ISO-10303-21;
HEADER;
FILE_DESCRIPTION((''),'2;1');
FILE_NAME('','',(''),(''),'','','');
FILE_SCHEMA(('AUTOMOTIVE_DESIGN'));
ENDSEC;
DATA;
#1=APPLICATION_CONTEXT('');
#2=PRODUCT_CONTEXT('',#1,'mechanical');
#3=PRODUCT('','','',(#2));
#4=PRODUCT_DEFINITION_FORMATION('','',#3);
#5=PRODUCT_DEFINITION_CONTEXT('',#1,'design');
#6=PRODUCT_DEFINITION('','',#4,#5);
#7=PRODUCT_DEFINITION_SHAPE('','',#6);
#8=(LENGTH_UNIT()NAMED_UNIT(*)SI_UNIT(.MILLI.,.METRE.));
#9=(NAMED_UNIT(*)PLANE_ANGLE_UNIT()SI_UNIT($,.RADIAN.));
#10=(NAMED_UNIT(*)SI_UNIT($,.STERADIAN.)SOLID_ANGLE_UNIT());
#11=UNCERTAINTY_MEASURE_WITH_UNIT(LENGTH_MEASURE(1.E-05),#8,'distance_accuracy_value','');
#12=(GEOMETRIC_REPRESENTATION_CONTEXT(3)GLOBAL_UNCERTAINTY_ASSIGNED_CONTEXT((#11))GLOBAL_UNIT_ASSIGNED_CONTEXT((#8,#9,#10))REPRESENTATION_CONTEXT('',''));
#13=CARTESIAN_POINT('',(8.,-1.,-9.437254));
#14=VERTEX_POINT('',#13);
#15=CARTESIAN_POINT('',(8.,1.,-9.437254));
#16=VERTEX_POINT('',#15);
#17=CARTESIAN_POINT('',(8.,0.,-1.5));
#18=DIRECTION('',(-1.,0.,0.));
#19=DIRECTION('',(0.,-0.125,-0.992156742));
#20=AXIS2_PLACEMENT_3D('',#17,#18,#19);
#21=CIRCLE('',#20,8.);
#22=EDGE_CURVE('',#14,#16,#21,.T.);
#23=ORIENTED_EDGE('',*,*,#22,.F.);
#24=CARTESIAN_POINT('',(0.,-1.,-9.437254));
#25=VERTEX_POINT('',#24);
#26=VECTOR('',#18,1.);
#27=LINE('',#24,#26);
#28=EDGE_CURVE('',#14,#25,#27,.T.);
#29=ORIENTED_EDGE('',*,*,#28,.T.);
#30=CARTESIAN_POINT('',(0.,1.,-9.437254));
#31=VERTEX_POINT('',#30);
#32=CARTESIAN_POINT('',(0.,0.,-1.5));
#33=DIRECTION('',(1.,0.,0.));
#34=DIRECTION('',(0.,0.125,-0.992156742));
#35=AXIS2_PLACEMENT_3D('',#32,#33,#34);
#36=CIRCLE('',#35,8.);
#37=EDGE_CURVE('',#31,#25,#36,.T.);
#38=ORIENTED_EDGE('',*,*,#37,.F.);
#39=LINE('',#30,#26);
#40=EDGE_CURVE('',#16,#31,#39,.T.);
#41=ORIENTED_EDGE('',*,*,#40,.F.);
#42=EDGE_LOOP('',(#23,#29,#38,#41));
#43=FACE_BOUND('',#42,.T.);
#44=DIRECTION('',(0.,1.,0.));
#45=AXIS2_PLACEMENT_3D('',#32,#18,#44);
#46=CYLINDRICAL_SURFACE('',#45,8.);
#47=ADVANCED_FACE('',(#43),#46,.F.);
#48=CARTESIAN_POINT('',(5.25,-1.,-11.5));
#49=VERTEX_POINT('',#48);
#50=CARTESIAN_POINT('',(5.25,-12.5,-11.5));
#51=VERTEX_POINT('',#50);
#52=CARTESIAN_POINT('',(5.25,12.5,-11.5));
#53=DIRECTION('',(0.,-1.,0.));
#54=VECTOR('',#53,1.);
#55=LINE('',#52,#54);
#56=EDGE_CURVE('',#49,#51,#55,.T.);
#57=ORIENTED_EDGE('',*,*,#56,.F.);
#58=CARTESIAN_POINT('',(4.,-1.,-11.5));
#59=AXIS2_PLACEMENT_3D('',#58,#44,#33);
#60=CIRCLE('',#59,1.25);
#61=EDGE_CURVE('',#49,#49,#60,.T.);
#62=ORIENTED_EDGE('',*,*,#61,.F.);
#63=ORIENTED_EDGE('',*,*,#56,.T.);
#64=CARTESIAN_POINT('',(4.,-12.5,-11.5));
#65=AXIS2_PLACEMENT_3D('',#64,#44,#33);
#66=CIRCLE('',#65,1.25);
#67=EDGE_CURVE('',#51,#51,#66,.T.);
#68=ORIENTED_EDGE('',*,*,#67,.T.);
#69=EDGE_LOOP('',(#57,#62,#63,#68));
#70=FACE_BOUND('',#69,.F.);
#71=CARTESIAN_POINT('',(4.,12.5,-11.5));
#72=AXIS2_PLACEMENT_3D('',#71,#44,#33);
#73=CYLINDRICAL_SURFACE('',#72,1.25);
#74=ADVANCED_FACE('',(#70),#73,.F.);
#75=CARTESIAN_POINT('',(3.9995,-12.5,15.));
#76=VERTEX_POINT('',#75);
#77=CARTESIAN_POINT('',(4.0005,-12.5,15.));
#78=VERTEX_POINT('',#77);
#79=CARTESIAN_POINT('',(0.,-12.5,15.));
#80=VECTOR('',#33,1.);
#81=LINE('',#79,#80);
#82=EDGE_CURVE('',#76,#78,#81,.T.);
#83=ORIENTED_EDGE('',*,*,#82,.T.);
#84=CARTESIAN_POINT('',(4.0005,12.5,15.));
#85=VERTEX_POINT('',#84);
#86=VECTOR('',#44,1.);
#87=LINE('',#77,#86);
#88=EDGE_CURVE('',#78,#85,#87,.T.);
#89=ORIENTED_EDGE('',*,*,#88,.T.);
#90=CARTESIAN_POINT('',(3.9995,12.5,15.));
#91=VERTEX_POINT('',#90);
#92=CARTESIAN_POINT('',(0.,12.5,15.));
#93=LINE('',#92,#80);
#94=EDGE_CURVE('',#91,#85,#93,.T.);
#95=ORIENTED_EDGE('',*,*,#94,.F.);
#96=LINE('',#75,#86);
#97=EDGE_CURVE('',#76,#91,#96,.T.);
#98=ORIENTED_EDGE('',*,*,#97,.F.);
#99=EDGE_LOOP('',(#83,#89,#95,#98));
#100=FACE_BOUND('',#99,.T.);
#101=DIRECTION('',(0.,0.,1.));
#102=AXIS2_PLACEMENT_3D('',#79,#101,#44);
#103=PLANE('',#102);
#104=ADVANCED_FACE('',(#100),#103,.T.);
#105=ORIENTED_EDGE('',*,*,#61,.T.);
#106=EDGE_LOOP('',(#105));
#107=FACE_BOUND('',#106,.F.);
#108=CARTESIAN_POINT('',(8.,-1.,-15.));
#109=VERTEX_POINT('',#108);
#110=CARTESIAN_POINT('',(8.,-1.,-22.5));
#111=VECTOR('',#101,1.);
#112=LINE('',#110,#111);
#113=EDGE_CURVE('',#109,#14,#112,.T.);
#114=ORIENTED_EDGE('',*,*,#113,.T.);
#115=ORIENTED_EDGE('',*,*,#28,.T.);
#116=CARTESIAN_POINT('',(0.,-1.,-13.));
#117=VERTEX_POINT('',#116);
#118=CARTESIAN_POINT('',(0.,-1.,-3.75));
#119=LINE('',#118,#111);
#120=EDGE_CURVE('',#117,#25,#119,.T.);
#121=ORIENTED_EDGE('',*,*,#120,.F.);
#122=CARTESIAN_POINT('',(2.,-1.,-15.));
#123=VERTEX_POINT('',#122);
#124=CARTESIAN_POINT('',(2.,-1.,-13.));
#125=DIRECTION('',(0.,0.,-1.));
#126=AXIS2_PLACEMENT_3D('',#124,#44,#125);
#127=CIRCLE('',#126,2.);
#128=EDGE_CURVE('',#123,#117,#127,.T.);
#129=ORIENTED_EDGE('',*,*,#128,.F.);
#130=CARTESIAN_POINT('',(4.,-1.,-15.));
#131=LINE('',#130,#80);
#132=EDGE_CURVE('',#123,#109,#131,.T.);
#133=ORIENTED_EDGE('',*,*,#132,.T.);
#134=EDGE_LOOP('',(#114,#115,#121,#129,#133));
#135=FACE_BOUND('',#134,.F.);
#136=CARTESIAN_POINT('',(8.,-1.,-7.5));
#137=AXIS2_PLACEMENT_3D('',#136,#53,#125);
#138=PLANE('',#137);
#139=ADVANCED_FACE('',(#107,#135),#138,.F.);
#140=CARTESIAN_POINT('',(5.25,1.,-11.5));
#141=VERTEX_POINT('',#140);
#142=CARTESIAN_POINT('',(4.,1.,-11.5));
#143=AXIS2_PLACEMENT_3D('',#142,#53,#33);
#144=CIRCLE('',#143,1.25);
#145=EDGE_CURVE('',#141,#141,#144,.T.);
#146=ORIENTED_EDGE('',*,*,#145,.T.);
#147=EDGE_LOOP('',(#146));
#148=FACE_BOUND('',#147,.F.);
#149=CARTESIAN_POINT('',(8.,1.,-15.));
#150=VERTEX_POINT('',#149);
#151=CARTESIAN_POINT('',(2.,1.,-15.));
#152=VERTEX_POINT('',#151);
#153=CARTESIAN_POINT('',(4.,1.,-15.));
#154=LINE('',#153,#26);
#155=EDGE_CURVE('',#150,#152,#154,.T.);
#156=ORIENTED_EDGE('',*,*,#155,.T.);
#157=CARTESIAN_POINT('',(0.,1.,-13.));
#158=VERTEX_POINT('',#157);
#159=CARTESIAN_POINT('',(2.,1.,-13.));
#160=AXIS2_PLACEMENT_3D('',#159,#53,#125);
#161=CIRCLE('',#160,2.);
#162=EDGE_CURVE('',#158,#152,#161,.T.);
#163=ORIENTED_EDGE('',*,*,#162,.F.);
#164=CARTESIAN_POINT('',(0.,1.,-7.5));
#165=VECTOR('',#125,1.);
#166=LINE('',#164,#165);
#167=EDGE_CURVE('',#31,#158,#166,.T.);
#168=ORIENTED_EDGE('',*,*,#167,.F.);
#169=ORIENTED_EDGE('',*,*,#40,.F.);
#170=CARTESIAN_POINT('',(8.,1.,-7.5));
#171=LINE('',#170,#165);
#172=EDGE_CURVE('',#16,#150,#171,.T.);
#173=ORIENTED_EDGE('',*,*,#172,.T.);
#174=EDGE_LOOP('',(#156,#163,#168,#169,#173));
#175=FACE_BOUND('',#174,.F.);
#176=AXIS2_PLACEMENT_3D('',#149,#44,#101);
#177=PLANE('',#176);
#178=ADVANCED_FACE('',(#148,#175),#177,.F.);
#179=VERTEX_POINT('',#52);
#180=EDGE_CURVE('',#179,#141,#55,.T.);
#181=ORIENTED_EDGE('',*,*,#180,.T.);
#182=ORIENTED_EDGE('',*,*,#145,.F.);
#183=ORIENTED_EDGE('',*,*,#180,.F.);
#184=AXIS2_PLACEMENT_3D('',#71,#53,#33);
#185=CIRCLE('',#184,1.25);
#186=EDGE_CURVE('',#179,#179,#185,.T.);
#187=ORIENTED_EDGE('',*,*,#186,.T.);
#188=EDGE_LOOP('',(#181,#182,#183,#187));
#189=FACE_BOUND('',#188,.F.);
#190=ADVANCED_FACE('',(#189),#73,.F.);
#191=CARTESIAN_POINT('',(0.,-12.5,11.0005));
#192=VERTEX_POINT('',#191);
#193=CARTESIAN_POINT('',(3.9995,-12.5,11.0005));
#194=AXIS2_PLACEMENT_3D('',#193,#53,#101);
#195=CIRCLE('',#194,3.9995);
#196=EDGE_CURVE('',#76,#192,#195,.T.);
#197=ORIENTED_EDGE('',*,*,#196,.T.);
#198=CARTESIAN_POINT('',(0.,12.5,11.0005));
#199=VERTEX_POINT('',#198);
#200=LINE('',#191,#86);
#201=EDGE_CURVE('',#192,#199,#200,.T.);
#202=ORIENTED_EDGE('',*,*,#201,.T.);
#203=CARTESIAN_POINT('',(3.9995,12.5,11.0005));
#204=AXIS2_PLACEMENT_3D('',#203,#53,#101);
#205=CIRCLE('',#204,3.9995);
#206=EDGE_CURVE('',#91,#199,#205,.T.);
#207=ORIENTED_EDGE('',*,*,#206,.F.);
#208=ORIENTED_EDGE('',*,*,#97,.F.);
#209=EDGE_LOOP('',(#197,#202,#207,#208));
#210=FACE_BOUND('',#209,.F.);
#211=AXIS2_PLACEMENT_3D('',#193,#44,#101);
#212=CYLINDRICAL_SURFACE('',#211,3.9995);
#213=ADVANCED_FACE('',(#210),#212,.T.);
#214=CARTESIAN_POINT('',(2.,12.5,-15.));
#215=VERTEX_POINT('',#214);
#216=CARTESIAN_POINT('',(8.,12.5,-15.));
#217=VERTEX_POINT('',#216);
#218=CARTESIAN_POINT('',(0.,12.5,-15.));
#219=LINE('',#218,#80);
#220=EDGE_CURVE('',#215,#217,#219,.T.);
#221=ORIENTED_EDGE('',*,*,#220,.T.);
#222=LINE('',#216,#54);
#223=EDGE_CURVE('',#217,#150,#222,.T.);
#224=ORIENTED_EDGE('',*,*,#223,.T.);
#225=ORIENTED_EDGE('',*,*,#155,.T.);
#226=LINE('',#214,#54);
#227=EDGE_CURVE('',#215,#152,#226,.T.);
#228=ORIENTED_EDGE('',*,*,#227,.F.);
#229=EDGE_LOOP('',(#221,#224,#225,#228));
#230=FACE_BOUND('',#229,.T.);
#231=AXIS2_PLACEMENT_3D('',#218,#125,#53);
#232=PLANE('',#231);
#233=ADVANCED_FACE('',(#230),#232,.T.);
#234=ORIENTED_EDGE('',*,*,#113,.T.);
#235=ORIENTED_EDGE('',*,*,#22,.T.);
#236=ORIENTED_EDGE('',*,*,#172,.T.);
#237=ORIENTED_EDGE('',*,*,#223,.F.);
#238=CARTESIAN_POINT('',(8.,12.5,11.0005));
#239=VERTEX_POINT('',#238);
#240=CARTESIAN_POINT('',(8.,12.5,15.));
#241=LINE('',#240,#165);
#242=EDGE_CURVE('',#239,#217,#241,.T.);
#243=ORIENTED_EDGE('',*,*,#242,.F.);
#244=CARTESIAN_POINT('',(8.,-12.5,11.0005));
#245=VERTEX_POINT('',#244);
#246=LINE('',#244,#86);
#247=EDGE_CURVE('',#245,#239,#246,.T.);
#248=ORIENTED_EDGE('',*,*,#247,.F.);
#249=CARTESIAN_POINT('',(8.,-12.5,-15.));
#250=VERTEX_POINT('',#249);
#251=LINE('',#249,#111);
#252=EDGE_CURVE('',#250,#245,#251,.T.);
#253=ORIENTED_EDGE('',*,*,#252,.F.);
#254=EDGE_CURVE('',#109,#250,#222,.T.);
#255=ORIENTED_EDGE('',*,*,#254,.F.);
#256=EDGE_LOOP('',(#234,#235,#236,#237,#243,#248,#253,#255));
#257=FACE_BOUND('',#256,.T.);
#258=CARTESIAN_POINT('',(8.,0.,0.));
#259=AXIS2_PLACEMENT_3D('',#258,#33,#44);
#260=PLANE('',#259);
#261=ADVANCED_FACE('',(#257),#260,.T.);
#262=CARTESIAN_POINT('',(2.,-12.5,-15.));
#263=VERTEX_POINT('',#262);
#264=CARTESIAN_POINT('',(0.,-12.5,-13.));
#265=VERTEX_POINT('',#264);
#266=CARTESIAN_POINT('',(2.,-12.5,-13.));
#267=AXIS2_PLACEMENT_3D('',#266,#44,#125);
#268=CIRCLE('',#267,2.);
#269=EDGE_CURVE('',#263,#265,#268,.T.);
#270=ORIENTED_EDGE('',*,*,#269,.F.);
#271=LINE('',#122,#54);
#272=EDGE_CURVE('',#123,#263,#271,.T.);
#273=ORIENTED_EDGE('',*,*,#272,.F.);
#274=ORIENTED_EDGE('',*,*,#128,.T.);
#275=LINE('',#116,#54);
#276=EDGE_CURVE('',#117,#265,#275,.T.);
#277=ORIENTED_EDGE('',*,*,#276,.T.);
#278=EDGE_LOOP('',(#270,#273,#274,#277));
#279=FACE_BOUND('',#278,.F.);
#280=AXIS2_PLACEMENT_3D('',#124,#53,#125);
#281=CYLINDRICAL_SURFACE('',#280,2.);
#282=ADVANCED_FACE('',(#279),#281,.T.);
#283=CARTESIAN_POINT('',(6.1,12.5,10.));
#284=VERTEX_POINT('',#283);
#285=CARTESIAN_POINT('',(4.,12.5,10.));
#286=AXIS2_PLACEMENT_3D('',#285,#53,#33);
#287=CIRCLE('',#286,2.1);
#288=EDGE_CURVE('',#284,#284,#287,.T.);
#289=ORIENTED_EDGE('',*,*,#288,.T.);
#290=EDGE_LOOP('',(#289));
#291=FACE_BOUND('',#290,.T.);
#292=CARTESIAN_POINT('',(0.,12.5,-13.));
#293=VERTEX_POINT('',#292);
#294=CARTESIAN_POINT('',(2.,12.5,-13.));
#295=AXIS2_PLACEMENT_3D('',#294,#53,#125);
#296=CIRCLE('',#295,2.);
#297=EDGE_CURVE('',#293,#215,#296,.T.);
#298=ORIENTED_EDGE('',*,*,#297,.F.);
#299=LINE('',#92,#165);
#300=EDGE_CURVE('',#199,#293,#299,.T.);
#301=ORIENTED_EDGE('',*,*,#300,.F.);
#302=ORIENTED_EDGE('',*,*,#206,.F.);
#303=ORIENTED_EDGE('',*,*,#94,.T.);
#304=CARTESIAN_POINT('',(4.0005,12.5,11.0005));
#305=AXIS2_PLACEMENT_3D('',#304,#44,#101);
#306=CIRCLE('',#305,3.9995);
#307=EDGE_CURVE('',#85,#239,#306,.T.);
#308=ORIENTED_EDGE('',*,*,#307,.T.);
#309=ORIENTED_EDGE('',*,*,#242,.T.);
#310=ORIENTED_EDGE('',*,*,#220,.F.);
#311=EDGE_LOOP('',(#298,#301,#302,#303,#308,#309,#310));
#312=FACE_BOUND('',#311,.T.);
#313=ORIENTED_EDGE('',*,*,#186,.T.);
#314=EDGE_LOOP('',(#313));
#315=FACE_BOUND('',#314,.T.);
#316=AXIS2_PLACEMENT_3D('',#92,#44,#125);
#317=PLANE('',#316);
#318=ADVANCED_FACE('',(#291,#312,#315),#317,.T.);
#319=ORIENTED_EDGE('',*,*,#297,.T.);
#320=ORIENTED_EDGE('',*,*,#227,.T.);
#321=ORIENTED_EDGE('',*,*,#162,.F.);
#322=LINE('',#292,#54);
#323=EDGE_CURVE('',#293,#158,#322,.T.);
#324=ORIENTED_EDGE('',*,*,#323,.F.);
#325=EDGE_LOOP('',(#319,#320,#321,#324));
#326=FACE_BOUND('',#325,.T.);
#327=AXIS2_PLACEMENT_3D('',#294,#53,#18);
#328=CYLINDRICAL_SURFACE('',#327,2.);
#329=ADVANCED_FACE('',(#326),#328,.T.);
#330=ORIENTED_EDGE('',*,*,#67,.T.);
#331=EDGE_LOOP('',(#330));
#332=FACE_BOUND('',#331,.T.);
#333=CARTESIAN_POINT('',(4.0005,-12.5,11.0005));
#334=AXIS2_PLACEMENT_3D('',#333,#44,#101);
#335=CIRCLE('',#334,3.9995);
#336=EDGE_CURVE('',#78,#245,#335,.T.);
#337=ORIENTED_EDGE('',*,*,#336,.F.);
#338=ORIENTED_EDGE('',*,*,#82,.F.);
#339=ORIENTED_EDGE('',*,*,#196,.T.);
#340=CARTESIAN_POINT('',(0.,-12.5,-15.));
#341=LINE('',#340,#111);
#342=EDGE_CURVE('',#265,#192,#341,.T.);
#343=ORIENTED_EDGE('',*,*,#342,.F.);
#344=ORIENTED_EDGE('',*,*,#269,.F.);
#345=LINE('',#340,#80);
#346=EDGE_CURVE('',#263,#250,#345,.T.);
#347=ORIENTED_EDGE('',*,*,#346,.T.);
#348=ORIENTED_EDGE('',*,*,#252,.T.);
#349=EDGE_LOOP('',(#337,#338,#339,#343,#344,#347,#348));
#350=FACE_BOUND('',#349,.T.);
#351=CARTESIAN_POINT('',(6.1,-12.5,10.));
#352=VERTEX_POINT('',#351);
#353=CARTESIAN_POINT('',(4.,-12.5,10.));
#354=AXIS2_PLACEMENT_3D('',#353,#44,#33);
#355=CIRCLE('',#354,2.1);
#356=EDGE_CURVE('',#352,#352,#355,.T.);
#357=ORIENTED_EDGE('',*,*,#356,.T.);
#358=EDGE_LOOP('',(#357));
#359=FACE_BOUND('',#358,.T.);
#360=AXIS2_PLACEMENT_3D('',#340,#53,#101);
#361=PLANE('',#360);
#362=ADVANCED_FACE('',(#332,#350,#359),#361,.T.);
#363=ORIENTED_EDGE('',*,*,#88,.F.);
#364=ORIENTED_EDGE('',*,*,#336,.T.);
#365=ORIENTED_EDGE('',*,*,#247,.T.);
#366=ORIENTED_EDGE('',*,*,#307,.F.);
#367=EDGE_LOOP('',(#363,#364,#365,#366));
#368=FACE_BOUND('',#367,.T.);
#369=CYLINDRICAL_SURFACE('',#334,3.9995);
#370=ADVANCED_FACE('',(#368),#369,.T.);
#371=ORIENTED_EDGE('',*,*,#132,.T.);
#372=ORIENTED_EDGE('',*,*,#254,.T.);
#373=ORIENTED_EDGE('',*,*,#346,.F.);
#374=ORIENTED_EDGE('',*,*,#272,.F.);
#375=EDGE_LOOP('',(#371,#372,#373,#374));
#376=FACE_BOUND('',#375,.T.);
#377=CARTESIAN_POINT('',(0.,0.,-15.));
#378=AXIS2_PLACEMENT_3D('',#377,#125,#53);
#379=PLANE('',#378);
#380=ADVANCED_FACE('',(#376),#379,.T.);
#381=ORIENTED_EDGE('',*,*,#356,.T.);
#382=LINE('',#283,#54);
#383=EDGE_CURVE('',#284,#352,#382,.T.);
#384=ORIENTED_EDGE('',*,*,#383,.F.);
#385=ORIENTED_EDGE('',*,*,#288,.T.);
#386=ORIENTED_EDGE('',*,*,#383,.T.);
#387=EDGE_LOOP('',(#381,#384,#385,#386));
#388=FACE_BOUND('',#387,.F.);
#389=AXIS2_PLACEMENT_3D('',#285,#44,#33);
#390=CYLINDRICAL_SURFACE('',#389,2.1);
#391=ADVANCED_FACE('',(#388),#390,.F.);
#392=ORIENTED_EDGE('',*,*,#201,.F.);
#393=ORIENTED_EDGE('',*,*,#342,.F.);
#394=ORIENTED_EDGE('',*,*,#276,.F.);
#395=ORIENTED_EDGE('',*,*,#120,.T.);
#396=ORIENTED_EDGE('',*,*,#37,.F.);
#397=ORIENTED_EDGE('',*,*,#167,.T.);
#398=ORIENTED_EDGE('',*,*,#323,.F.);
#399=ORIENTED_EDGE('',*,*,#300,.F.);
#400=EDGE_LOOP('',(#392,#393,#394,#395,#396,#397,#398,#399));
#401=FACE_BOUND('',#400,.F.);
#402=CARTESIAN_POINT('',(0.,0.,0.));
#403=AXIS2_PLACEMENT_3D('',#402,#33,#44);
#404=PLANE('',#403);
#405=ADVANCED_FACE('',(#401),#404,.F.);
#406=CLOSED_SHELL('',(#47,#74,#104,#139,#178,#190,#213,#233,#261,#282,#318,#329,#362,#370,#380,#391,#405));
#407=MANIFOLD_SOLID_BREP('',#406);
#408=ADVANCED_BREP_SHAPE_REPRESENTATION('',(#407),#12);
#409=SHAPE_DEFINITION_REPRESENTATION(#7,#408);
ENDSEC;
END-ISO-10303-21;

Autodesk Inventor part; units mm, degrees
ref_plane "YZ Plane" through (0, 0, 0) normal (1, 0, 0) x (0, 1, 0)
ref_plane "XZ Plane" through (0, 0, 0) normal (0, 1, 0) x (-1, 0, 0)
ref_plane "XY Plane" through (0, 0, 0) normal (0, 0, 1) x (1, 0, 0)
sketch "Sketch1" plane through (0, 0, 0) normal (1, 0, 0) x (0, 1, 0)
  line L0 (-12.5, 15) -> (12.5, 15)
  line L1 (12.5, 15) -> (12.5, -15)
  line L2 (12.5, -15) -> (-12.5, -15)
  line L3 (-12.5, -15) -> (-12.5, 15)
  line L4 (-12.5, 15) -> (12.5, -15) construction
  line L5 (12.5, 15) -> (-12.5, -15) construction
  line L6 (0, -15) -> (0, -1.5)
  circle A0 centre (0, -1.5) radius 8
  point P0 (0, 0)
  dimension "d0" = 25
  dimension "d1" = 30
  dimension "d2" = 13.5
  dimension "d3" = 16
extrude "Extrusion1" add sketch "Sketch1" along normal blind 8
sketch "Sketch2" plane through (8, 0, 0) normal (1, 0, 0) x (0, 0, -1)
  line L0 (7.5, -1) -> (22.5, -1)
  line L1 (22.5, -1) -> (22.5, 1)
  line L2 (22.5, 1) -> (7.5, 1)
  line L3 (7.5, 1) -> (7.5, -1)
  line L4 (15, -12.5) -> (15, 12.5) projected
  line L5 (7.5, -1) -> (22.5, 1) construction
  line L6 (22.5, -1) -> (7.5, 1) construction
  point P0 (0, 0)
  point P1 (15, 0)
  dimension "d6" = 2
  dimension "d17" = 15
extrude "Extrusion2" cut sketch "Sketch2" against normal up to next
sketch "Sketch3" plane through (0, 12.5, 15) normal (0, 1, 0) x (1, 0, 0)
  line L0 (0, 0) -> (8, 0) projected
  line L1 (4, 0) -> (4, 5)
  circle A0 centre (4, 5) radius 2.1
  point P0 (0, 15)
  dimension "d9" = 5
  dimension "d10" = 4.2
extrude "Extrusion3" cut sketch "Sketch3" against normal up to next
sketch "Sketch4" plane through (0, 12.5, 15) normal (0, 1, 0) x (1, 0, 0)
  line L0 (0, 30) -> (8, 30) projected
  line L1 (4, 30) -> (4, 26.5)
  circle A0 centre (4, 26.5) radius 1.25
  point P0 (0, 15)
  dimension "d13" = 3.5
  dimension "d14" = 2.5
extrude "Extrusion4" cut sketch "Sketch4" against normal through all
fillet "Fillet1" radius 4 2 edges at (0, 0, 15) (8, 0, 15)
fillet "Fillet2" radius 2 2 edges at (0, 6.75, -15) (0, -6.75, -15)
properties part number "arm_grip" material "Nylon 6/6"
